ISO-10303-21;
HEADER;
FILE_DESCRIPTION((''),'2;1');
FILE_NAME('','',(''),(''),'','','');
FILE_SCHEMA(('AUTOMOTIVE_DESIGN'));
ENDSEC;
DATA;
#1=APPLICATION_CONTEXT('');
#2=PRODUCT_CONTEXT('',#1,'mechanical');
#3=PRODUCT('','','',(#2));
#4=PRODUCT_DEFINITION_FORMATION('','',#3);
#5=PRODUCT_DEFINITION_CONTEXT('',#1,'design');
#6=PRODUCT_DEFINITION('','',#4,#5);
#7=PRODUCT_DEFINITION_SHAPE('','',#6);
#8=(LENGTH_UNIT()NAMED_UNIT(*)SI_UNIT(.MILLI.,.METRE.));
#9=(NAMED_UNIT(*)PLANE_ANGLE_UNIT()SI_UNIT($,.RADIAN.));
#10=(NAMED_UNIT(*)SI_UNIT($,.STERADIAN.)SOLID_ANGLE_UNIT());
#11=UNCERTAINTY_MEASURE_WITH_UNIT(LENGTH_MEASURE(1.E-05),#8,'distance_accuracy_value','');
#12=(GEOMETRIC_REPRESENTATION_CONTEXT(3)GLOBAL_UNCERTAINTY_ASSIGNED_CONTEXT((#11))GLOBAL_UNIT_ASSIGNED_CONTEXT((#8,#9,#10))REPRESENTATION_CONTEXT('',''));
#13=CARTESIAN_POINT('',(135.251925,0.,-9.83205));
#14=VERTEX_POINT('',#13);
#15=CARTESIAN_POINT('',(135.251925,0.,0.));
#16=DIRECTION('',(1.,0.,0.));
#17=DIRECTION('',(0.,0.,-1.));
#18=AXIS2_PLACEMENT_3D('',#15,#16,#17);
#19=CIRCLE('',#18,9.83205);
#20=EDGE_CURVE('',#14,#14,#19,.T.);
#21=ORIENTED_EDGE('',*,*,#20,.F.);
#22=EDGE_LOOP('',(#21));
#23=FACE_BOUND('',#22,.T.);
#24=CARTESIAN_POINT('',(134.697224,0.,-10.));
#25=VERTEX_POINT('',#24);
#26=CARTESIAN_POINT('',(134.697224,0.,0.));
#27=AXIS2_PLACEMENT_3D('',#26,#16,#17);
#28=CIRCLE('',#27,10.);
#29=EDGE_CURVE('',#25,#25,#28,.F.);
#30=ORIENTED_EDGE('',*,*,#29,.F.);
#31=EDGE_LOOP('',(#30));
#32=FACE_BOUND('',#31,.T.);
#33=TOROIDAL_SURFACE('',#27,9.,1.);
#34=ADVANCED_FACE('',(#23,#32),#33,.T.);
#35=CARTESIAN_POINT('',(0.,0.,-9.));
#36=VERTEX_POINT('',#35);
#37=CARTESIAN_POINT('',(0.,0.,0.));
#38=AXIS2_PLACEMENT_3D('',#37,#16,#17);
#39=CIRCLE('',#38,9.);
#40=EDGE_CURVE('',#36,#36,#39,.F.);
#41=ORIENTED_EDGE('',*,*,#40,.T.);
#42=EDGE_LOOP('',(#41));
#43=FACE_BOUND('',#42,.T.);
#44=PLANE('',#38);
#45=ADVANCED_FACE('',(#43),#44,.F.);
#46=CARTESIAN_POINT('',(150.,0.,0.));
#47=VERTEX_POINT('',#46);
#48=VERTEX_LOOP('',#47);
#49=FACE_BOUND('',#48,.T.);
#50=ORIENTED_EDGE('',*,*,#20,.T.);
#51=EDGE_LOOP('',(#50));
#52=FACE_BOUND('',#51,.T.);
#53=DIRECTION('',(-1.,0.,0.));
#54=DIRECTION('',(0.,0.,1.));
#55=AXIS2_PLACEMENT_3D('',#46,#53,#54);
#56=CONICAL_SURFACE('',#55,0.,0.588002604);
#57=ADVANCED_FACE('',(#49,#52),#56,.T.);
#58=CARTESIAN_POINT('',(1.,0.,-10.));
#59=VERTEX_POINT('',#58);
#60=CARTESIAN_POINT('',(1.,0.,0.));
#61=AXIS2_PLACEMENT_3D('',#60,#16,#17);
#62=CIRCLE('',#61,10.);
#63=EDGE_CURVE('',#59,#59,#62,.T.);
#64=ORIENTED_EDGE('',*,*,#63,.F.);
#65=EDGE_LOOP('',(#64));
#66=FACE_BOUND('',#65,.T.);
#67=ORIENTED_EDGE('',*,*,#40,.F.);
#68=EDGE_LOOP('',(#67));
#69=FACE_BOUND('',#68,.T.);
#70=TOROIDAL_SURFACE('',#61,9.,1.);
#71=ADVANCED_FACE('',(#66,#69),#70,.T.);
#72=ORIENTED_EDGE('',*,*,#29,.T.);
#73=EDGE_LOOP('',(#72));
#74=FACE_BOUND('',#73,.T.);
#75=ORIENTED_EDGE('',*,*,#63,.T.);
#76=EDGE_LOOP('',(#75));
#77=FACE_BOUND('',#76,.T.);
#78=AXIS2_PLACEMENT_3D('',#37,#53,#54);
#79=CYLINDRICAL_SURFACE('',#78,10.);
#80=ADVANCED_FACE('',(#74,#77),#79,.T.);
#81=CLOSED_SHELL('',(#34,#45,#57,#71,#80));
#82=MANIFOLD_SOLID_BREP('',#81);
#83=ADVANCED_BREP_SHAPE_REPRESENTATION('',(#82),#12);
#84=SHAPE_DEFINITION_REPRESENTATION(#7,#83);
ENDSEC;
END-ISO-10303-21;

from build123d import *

# Parameters (mm, degrees)
FILLET1_R = 1


with BuildPart() as part:
    # Sketch1 → Revolve1 (revolve)
    with BuildSketch(Plane(origin=(0, 0, 0), x_dir=(1, 0, 0), z_dir=(0, 1, 0)), mode=Mode.PRIVATE) as revolve1_sk:
        Polygon((0, 0), (0, 10), (135, 10), (150, 0), align=None)
    revolve(revolve1_sk.sketch.rotate(Axis((0, 0, 0), (1, 0, 0)), 180), axis=Axis((0, 0, 0), (1, 0, 0)))

    # Fillet1
    fillet1_edges = [part.edges().sort_by_distance(p)[0] for p in [
        (0, 0, -10),
        (135, 0, -10),
    ]]
    fillet(fillet1_edges, radius=FILLET1_R)


solid = part.part
